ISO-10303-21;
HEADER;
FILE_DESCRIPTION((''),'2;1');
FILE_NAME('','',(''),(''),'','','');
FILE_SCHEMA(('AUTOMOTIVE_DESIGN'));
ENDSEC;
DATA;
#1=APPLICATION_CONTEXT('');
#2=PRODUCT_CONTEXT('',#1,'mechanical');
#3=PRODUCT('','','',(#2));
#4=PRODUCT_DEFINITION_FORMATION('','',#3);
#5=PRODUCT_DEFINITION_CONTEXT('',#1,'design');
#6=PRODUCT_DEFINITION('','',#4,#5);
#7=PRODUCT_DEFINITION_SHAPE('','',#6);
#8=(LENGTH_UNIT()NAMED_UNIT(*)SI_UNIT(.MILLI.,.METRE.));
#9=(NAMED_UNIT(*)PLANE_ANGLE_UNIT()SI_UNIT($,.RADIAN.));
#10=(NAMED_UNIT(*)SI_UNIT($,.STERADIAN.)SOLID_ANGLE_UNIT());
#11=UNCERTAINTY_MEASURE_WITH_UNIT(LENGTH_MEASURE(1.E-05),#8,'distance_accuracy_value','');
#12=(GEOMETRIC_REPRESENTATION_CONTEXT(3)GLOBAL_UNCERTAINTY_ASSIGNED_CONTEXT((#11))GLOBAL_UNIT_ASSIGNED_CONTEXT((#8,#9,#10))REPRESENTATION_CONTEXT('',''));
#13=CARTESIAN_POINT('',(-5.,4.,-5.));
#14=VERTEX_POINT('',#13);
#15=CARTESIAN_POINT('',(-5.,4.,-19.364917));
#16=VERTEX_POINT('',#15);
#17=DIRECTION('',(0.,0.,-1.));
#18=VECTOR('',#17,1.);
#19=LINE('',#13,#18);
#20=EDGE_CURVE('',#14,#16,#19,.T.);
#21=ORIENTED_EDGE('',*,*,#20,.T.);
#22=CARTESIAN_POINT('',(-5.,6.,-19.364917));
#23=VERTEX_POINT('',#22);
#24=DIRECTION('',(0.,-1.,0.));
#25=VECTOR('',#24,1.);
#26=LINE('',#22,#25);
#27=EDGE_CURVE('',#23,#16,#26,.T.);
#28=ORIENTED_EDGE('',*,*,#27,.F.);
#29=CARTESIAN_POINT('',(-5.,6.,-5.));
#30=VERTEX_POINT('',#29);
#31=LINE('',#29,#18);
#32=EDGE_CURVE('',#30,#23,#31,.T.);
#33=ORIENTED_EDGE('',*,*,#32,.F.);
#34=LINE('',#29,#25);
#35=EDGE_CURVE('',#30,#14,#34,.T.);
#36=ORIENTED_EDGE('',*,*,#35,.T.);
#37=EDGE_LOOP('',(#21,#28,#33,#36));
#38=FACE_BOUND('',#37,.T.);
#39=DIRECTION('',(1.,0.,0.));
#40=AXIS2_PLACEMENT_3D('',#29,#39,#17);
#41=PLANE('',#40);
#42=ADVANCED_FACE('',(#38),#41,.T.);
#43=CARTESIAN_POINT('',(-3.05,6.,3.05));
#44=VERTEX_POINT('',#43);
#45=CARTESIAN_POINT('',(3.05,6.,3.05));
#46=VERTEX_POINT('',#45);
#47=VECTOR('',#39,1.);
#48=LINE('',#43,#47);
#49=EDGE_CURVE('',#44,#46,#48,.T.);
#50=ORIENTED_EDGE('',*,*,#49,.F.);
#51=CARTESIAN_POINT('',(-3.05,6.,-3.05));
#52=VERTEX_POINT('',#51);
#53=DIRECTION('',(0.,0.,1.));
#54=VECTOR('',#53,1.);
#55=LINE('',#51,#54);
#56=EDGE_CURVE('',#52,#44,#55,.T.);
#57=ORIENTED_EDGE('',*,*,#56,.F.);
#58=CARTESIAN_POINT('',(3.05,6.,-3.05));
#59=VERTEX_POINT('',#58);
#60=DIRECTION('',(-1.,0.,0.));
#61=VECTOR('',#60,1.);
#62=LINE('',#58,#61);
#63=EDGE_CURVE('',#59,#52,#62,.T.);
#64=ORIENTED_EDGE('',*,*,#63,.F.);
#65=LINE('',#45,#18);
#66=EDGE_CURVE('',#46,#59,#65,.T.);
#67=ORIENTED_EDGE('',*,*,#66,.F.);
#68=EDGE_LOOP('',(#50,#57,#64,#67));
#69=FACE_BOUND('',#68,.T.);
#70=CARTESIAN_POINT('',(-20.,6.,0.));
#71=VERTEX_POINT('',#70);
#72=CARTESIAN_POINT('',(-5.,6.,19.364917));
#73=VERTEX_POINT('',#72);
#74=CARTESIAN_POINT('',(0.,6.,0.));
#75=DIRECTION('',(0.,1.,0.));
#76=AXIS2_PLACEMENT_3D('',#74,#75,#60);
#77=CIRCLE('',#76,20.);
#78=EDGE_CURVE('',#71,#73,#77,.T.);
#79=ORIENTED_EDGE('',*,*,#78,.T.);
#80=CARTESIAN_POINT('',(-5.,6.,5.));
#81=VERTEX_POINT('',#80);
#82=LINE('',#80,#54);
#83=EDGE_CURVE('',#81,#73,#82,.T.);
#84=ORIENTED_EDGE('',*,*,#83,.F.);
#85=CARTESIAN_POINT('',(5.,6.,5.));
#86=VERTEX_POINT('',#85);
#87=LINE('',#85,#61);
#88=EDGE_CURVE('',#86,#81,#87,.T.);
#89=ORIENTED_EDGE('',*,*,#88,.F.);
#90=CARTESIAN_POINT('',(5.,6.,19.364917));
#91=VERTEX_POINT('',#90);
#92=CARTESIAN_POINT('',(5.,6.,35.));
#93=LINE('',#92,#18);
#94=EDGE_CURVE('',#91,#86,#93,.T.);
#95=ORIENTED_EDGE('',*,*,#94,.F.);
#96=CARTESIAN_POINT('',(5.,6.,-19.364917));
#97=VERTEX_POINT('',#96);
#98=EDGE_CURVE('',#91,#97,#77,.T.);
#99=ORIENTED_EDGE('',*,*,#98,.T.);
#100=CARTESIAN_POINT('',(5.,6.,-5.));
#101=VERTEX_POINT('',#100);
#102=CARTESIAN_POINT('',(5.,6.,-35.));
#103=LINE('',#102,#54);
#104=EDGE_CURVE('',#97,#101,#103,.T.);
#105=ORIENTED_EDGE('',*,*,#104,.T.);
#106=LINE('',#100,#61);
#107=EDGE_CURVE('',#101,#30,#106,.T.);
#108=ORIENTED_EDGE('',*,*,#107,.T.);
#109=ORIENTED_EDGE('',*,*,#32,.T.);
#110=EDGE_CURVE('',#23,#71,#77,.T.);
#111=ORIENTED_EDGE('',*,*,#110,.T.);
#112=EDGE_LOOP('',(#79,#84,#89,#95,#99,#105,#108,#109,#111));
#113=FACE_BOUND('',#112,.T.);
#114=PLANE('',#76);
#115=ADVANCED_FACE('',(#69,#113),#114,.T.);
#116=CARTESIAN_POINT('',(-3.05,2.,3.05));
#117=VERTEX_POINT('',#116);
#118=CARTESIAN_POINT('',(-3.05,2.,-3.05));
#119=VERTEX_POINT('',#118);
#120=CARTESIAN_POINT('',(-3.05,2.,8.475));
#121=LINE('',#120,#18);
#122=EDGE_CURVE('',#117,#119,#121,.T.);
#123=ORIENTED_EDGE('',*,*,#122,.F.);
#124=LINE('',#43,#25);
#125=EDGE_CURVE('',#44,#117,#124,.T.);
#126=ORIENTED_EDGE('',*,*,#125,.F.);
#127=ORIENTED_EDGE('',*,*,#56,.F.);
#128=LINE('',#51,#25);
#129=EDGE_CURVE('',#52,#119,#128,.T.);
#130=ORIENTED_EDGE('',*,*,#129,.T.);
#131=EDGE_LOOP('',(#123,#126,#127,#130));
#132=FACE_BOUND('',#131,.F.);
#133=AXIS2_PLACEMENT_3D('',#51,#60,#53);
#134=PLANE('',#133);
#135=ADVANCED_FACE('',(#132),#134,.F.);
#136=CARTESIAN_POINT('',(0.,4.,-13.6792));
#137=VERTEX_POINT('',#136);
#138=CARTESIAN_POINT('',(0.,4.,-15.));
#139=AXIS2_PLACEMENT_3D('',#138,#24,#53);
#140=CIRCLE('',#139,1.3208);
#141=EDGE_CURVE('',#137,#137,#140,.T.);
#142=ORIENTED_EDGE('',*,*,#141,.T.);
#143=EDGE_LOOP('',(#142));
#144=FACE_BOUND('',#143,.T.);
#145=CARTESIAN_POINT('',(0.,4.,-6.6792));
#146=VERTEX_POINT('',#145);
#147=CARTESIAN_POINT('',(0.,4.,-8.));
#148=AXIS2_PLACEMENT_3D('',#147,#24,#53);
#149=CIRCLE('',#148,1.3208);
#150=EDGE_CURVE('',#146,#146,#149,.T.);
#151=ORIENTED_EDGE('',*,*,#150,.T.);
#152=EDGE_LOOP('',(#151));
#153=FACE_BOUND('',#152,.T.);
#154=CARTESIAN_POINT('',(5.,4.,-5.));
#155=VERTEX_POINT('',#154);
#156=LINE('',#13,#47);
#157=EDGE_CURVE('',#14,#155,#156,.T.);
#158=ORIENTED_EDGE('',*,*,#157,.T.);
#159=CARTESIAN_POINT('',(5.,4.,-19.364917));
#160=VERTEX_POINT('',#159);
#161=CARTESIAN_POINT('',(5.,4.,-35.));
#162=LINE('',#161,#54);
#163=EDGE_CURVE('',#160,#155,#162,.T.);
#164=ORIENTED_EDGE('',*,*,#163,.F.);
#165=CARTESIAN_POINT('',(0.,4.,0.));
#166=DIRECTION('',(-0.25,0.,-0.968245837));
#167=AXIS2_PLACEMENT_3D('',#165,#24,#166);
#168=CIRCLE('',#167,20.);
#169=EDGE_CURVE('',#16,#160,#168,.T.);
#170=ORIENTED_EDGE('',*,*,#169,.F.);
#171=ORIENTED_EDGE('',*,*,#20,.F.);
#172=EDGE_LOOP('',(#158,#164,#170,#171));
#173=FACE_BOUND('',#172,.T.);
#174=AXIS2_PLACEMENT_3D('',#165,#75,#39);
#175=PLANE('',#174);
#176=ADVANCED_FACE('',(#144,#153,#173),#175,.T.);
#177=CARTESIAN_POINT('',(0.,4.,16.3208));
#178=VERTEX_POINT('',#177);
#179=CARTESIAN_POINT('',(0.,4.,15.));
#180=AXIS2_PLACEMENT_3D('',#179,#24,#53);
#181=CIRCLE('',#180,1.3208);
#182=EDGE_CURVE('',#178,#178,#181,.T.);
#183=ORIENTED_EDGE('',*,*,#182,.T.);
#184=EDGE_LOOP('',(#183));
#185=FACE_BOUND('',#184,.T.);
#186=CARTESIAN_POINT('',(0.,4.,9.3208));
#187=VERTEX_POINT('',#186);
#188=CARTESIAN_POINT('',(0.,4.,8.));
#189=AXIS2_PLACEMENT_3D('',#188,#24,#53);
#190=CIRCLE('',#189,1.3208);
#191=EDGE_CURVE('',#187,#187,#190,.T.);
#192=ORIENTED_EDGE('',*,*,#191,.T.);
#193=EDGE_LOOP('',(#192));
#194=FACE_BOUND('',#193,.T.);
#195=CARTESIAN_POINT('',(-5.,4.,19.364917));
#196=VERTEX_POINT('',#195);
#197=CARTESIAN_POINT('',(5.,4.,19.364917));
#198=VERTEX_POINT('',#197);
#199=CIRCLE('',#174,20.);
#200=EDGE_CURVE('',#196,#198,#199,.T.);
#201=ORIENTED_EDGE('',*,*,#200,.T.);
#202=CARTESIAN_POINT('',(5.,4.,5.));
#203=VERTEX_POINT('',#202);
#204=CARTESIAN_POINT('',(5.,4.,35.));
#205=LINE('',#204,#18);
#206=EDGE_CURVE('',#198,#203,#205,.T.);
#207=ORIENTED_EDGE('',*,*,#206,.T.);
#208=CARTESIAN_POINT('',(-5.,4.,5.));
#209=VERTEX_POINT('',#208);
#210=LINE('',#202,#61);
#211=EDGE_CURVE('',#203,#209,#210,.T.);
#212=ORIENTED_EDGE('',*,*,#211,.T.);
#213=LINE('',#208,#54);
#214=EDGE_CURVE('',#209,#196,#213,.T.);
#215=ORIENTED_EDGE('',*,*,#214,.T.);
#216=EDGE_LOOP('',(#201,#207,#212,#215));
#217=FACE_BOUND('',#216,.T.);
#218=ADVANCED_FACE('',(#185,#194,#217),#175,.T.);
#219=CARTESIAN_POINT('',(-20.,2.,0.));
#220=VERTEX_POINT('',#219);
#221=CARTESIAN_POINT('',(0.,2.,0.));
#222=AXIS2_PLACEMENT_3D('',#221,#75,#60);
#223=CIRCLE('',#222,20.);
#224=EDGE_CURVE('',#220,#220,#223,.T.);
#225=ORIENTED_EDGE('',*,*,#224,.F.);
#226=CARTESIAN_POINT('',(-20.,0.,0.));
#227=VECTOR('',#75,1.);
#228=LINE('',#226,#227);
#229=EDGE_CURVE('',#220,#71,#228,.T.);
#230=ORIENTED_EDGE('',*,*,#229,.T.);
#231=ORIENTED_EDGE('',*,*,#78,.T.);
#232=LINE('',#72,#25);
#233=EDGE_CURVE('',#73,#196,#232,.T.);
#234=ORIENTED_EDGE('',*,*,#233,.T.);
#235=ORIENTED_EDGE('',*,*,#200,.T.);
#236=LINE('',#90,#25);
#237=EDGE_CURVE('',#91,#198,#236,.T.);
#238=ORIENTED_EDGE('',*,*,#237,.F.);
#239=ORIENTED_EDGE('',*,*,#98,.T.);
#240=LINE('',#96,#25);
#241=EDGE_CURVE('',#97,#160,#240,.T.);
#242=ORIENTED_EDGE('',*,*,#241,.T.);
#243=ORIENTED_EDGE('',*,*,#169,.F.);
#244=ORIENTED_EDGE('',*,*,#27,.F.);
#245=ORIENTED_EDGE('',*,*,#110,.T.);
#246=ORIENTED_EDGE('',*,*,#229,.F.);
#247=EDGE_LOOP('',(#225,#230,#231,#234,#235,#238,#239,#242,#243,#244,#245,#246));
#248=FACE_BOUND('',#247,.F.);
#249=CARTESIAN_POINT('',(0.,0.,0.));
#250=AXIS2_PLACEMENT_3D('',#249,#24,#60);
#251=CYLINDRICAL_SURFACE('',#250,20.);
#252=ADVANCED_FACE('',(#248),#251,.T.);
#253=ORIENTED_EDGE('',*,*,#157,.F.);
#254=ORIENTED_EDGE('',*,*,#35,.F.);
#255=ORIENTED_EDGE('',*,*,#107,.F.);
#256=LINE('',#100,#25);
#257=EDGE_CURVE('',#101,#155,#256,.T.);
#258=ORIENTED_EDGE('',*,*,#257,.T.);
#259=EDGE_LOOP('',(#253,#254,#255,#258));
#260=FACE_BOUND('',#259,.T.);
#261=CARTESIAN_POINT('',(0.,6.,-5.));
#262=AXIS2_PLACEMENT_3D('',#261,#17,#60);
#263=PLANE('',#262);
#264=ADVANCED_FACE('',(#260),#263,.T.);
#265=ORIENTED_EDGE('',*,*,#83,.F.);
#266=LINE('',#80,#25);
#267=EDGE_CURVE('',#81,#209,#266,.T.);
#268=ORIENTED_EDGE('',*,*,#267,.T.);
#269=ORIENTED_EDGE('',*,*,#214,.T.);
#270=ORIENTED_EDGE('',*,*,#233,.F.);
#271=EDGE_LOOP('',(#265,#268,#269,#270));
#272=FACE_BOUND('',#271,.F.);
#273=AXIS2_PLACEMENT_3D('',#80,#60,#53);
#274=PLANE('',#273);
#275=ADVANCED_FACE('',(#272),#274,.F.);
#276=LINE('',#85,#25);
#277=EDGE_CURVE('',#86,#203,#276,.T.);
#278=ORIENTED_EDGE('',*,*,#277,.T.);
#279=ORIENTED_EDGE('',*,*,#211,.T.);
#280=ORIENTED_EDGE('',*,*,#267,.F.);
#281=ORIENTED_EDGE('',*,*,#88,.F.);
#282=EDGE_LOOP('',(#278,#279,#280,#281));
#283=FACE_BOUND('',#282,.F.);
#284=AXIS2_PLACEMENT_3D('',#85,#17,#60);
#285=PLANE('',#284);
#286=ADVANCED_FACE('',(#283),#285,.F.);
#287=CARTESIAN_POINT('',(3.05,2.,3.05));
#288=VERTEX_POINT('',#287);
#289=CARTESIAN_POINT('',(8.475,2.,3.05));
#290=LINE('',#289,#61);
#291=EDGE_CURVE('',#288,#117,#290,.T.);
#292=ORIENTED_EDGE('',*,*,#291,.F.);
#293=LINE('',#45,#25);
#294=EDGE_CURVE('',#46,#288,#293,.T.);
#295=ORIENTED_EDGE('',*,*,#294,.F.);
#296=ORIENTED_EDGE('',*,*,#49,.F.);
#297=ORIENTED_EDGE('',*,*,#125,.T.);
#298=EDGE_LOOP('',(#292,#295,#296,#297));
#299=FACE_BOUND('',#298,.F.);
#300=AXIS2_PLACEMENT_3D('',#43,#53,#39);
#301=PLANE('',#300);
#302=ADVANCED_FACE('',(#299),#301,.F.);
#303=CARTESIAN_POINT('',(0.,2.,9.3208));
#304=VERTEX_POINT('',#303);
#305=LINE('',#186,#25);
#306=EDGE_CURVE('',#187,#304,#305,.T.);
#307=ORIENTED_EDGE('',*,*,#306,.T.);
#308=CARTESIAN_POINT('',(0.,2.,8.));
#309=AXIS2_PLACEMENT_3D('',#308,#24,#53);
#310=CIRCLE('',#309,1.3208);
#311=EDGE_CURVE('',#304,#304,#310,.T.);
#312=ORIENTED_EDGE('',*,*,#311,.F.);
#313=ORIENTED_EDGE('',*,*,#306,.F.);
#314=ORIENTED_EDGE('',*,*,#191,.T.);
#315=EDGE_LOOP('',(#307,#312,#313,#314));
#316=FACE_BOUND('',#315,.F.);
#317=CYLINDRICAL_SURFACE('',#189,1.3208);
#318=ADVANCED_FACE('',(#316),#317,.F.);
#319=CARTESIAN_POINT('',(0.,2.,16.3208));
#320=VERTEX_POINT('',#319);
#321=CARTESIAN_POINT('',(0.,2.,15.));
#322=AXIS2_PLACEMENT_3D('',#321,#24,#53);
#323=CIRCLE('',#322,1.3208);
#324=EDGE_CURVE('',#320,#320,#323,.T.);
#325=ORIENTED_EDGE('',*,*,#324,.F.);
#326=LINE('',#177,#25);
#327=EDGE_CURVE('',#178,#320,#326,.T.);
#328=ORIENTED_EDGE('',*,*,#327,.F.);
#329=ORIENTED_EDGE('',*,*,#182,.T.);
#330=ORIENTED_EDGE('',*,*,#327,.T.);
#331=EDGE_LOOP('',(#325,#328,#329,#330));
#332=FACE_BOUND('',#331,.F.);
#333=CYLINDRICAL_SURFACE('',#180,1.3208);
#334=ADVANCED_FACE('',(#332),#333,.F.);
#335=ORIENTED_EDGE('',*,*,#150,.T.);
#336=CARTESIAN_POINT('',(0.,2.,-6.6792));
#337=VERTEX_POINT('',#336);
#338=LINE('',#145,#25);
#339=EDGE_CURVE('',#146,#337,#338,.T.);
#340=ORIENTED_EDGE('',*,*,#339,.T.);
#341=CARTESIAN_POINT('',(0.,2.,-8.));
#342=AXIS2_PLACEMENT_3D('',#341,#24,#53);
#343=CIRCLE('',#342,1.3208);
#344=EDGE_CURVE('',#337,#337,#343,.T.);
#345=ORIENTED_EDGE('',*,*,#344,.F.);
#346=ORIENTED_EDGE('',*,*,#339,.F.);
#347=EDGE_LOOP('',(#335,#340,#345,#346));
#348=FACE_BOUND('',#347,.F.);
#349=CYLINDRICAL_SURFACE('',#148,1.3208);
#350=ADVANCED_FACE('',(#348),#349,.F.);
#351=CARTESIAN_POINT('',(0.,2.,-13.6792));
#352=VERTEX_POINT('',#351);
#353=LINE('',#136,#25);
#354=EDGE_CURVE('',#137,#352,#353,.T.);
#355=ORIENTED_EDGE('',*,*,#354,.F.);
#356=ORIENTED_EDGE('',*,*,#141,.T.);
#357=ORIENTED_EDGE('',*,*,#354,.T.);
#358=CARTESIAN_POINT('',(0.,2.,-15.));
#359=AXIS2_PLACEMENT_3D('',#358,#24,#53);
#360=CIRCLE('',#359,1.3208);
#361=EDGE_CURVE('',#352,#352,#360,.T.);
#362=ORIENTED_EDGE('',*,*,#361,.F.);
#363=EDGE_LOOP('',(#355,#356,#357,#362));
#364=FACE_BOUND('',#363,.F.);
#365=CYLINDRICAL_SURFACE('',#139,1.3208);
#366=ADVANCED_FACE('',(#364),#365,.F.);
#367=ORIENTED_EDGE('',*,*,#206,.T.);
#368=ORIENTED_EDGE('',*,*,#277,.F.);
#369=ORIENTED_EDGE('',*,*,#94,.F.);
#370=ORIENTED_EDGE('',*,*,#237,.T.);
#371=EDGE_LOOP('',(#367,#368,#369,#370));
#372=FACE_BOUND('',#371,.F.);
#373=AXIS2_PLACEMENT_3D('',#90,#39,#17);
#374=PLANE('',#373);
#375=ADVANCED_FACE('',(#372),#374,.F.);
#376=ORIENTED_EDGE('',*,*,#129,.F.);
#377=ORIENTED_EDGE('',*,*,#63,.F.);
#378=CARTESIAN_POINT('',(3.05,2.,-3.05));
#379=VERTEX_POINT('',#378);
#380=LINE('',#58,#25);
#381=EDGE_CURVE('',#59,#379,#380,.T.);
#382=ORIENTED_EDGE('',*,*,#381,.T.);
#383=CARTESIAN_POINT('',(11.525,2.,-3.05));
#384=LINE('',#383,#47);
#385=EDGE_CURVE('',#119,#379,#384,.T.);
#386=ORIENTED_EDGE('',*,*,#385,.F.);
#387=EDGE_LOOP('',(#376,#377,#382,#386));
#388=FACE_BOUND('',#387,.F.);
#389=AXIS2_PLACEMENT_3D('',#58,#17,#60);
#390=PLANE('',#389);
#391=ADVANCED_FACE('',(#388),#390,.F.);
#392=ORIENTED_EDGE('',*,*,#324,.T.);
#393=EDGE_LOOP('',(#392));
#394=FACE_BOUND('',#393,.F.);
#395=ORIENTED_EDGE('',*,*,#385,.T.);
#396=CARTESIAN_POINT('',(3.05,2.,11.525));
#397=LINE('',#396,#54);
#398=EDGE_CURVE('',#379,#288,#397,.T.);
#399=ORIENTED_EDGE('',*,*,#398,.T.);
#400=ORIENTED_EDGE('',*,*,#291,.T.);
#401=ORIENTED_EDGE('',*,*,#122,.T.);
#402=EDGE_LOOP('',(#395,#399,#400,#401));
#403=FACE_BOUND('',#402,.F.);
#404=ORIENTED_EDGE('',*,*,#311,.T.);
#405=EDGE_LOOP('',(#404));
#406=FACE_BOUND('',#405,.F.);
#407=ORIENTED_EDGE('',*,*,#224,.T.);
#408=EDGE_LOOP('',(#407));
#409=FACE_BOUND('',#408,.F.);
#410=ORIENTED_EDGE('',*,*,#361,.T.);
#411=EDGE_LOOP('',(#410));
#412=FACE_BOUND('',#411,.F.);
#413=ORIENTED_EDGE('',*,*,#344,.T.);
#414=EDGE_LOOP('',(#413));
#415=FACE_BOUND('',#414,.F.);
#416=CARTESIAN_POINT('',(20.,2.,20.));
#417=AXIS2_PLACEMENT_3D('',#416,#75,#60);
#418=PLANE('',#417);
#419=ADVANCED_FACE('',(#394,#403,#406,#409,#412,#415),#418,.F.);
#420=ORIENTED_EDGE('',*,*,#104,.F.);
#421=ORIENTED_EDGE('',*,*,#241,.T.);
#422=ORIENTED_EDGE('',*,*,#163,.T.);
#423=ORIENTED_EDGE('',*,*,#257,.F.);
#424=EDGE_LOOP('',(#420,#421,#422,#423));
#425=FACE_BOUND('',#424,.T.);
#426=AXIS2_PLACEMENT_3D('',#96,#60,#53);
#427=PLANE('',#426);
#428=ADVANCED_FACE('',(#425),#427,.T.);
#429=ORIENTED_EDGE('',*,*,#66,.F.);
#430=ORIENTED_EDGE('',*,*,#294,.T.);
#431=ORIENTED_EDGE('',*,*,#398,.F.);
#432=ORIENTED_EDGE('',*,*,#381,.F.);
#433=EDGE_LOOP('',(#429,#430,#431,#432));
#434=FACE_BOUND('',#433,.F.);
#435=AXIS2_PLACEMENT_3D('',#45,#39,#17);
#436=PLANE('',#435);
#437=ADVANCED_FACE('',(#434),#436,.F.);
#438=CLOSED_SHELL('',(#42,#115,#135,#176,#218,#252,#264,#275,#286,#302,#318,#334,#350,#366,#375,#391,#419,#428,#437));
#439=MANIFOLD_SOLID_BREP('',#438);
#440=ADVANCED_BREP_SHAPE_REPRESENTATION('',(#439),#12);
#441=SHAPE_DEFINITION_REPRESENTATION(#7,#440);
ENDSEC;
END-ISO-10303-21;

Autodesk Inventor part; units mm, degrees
ref_plane "YZ Plane" through (0, 0, 0) normal (1, 0, 0) x (0, 1, 0)
ref_plane "XZ Plane" through (0, 0, 0) normal (0, 1, 0) x (-1, 0, 0)
sketch "Sketch1" plane through (0, 0, 0) normal (0, 1, 0) x (-1, 0, 0)
  circle A0 centre (0, 0) radius 20
  dimension "d0" = 40
extrude "Extrusion1" add sketch "Sketch1" along normal blind 6
sketch "Sketch3" plane through (0, 6, 0) normal (0, 1, 0) x (1, 0, 0)
  line L0 (0, 0) -> (0, 20)
  circle A0 centre (0, 0) radius 20 projected
  line L1 (5, 35) -> (5, 5)
  line L2 (5, 5) -> (-5, 5)
  line L3 (-5, 5) -> (-5, 35)
  line L4 (-5, 35) -> (5, 35)
  line L5 (5, 35) -> (-5, 5) construction
  line L6 (5, 5) -> (-5, 35) construction
  line L7 (20, 0) -> (-20, 0) construction
  line L8 (5, -35) -> (5, -5)
  line L9 (5, -5) -> (-5, -5)
  line L10 (-5, -5) -> (-5, -35)
  line L11 (-5, -35) -> (5, -35)
  point P0 (-5, 19.3649)
  point P1 (5, 19.3649)
  point P2 (-5, -19.3649)
  point P3 (5, -19.3649)
  dimension "d11" = 30
  dimension "d12" = 10
extrude "Extrusion2" cut sketch "Sketch3" against normal blind 2 contours L2 L3 A0 L0 | L0 A0 L1 L2 | L10 L9 L8 A0
sketch "Sketch5" plane through (0, 4, 0) normal (0, 1, 0) x (1, 0, 0)
  circle A0 centre (0, -8) radius 1
  circle A1 centre (0, -15) radius 1
  line L0 (-5, -5) -> (5, -5) projected
  arc A2 (-5, 19.3649) -> (-5, -19.3649) centre (0, 0) ccw projected
  line L1 (-20, 0) -> (20, 0) construction
  arc A3 (5, -19.3649) -> (5, 19.3649) centre (0, 0) ccw projected
  circle A4 centre (0, 8) radius 1
  circle A5 centre (0, 15) radius 1
  line L2 (-28, 0) -> (28, 0) projected
  line L3 (-5, 5) -> (-5, 19.3649) projected
  dimension "d20" = 2
  dimension "d21" = 2
  dimension "d42" = 8
  dimension "d43" = 7
  dimension "d44" = 8
  dimension "d45" = 20
  dimension "d47" = 5
hole "Hole2" at (0, 4, 15) at (0, 4, 8) at (0, 4, -8) at (0, 4, -15) direction (0, -1, 0) diameter 2.6416 depth 10.979 tip angle 118 thread size "6-32 UNC" class "2B" standard "ANSI Unified Screw Threads"
sketch "Sketch6" plane through (0, 6, 0) normal (0, 1, 0) x (1, 0, 0)
  line L0 (3.05, 3.05) -> (-3.05, 3.05)
  line L1 (-3.05, 3.05) -> (-3.05, -3.05)
  line L2 (-3.05, -3.05) -> (3.05, -3.05)
  line L3 (3.05, -3.05) -> (3.05, 3.05)
  point P0 (0, 0)
  dimension "d31" = 6.1
  dimension "d32" = 6.1
  dimension "d33" = 3.05
  dimension "d34" = 3.05
extrude "Extrusion4" cut sketch "Sketch6" against normal blind 10
ref_plane "Work Plane1" through (0, 0, 20) normal (0, 0, 1) x (1, 0, 0)
sketch "Sketch7" plane through (0, 0, 20) normal (0, 0, 1) x (1, 0, 0)
  line L0 (20, 0) -> (-20, 0) projected
  line L1 (-20, 0) -> (20, 0)
  line L2 (20, 0) -> (20, 2)
  line L3 (20, 2) -> (-20, 2)
  line L4 (-20, 2) -> (-20, 0)
  point P0 (0, 0)
  dimension "d38" = 40
  dimension "d39" = 2
extrude "Extrusion5" cut sketch "Sketch7" against normal blind 40
sketch "Sketch8" plane through (0, 6, 0) normal (0, 1, 0) x (1, 0, 0)
  line L0 (-20, -20) -> (-7, -20)
  line L1 (-7, -20) -> (-7, 20)
  line L2 (-7, 20) -> (-20, 20)
  line L3 (-20, 20) -> (-20, -20)
  line L4 (7, -20) -> (20, -20)
  line L5 (20, -20) -> (20, 20)
  line L6 (20, 20) -> (7, 20)
  line L7 (7, 20) -> (7, -20)
  line L8 (5, 19.3649) -> (5, 5) projected
  line L9 (-5, 5) -> (-5, 19.3649) projected
  line L10 (28.233, -20) -> (-28.0388, -20) projected
  point P0 (0, 0)
  dimension "d48" = 40
  dimension "d49" = 0
  dimension "d50" = 0
  dimension "d51" = 2
  dimension "d52" = 2
  dimension "d53" = 0
  dimension "d54" = 13
  dimension "d55" = 13
properties part number "prop_base"
